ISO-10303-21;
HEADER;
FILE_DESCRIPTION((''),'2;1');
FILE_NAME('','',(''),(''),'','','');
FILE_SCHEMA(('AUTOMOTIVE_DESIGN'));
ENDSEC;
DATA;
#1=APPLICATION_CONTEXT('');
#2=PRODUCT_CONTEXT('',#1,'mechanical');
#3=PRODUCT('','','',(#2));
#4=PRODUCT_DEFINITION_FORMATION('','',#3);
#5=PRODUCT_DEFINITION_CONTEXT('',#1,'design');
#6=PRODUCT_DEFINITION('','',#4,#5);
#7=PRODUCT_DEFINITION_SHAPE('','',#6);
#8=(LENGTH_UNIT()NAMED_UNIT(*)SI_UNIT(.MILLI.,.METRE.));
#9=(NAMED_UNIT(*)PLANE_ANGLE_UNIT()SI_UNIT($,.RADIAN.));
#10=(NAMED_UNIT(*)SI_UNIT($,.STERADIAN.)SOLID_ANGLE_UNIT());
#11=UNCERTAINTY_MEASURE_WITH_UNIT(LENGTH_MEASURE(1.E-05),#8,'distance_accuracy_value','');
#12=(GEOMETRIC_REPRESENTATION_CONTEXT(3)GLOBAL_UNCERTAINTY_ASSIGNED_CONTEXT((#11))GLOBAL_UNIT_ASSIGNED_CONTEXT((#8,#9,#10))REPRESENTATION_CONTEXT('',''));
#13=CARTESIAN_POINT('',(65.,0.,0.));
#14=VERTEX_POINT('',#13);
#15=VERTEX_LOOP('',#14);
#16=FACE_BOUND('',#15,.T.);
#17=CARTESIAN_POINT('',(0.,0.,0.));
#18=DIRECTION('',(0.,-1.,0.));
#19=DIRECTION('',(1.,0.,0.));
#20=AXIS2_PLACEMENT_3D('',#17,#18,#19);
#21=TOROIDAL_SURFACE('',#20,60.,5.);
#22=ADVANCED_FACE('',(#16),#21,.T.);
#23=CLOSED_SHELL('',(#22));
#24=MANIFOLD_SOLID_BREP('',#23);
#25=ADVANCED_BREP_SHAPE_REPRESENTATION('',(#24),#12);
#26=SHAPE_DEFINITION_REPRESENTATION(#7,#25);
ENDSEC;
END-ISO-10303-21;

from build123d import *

# Parameters (mm, degrees)
SKETCH_1_R = 5


with BuildPart() as part:
    # Эскиз1 → Повернуть1 (revolve)
    with BuildSketch(Plane.XY, mode=Mode.PRIVATE) as revolve_1_sk:
        with Locations((-60, 0)):
            Circle(SKETCH_1_R)
    revolve(revolve_1_sk.sketch.rotate(Axis((0, -245.208562457, 0), (0, 1, 0)), 180), axis=Axis((0, -245.208562457, 0), (0, 1, 0)))


solid = part.part
